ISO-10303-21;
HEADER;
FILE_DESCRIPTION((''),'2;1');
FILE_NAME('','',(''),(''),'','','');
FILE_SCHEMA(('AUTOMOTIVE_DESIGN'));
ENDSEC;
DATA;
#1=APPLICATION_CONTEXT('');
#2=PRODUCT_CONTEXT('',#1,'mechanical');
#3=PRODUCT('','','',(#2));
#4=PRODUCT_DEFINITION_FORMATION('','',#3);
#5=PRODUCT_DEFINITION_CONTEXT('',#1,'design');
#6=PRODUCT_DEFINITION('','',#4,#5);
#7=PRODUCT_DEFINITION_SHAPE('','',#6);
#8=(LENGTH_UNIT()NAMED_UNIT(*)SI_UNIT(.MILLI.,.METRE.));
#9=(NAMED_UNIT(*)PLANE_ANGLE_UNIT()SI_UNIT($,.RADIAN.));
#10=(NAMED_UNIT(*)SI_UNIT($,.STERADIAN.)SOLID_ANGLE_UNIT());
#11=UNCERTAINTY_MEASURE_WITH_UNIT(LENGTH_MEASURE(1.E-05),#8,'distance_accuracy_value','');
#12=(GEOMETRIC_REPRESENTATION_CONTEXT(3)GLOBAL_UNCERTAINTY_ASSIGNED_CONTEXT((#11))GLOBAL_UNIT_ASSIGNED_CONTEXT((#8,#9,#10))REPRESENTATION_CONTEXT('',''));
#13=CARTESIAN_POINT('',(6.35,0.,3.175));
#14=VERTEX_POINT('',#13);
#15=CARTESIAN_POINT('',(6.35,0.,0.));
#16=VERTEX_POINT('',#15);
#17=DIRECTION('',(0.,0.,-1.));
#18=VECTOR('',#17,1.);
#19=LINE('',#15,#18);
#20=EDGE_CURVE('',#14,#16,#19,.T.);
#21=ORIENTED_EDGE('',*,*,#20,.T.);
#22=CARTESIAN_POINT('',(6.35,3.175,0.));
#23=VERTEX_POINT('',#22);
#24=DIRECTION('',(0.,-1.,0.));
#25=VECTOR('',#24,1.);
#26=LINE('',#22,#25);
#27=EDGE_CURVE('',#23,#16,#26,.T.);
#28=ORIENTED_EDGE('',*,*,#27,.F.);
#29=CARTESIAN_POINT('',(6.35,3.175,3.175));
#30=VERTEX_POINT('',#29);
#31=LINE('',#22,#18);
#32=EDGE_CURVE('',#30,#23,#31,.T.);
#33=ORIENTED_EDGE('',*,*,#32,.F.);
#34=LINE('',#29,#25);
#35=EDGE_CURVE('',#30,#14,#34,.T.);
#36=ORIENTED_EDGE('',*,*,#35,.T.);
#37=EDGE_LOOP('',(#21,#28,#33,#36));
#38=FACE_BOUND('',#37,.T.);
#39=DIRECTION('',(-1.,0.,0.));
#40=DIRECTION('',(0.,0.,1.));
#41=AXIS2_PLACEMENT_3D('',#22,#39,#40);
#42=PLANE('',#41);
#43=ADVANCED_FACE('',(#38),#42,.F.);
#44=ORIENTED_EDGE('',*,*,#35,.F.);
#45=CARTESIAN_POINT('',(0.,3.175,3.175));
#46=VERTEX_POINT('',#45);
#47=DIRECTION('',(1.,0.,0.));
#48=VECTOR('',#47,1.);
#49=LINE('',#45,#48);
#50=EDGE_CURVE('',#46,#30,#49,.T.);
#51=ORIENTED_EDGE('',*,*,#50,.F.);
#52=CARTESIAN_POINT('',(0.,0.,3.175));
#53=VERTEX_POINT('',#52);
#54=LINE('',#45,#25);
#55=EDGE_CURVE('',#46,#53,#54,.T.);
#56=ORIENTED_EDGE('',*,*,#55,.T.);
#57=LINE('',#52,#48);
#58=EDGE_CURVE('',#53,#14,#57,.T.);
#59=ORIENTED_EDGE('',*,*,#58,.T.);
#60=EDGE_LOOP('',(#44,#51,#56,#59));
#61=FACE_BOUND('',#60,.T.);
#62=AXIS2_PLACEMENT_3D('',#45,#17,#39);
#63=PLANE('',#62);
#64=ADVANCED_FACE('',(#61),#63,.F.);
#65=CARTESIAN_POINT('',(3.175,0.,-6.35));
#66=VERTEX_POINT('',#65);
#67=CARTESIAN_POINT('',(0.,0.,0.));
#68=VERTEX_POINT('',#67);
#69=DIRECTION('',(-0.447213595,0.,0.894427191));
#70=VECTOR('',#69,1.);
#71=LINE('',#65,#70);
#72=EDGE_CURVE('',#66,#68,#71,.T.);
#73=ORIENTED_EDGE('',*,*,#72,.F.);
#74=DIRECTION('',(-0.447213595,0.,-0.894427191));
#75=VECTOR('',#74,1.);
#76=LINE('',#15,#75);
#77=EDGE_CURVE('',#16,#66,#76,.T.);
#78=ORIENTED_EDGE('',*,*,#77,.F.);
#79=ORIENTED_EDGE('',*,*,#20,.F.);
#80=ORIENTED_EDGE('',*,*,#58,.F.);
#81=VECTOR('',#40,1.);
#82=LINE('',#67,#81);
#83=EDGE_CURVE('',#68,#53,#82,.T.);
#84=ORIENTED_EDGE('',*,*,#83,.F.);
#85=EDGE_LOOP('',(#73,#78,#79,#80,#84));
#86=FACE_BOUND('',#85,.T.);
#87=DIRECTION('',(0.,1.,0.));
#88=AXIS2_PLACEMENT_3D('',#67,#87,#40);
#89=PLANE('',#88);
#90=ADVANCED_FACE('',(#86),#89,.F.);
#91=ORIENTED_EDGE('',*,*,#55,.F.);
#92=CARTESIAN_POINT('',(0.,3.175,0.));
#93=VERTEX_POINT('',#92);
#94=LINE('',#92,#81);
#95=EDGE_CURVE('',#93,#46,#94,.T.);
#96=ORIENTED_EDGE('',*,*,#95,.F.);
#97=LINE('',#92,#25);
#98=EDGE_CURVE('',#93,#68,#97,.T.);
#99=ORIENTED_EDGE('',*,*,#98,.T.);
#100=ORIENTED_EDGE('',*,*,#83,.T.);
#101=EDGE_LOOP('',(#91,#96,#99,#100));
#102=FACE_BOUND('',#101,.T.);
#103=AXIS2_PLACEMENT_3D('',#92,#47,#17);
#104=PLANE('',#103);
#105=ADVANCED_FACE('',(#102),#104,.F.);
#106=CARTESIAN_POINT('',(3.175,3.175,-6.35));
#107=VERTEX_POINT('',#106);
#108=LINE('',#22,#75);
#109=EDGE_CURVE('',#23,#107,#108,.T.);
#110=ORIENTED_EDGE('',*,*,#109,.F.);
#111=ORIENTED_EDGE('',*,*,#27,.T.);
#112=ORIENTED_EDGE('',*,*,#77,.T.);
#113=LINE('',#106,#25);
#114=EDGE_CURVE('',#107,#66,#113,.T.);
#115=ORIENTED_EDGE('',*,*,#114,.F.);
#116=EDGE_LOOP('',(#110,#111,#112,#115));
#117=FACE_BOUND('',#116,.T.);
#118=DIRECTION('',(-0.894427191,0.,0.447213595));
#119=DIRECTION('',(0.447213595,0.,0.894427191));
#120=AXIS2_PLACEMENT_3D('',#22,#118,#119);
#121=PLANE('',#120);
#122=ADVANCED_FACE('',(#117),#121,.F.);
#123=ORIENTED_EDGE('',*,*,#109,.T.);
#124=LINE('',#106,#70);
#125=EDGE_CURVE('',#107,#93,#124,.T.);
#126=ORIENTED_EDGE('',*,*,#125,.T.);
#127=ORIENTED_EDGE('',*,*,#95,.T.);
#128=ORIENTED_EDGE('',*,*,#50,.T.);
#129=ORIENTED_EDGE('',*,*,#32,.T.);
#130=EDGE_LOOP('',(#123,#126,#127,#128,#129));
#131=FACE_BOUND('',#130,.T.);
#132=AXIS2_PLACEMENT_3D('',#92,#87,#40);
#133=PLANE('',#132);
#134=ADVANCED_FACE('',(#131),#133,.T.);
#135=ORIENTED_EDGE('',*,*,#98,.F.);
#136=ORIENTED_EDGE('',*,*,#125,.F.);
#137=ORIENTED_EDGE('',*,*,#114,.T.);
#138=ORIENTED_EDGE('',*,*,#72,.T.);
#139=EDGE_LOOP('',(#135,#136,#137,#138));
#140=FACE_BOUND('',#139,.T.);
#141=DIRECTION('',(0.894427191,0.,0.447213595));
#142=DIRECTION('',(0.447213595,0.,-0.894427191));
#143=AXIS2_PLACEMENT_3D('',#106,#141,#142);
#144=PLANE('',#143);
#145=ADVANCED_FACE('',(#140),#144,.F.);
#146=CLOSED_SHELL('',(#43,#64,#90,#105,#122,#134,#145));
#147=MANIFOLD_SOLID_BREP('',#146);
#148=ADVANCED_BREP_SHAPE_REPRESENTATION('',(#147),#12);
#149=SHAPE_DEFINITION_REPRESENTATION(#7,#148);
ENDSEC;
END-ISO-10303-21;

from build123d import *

# Parameters (mm, degrees)
NEEDLE_POINT_DEPTH = 3.175


with BuildPart() as part:
    # Needle Point Sketch → Needle Point (new body)
    with BuildSketch(Plane(origin=(0, 0, 0), x_dir=(1, 0, 0), z_dir=(0, 1, 0))):
        Polygon((6.35, 0), (3.175, 6.35), (0, 0), (0, -3.175), (6.35, -3.175), align=None)
    extrude(amount=NEEDLE_POINT_DEPTH)


solid = part.part
